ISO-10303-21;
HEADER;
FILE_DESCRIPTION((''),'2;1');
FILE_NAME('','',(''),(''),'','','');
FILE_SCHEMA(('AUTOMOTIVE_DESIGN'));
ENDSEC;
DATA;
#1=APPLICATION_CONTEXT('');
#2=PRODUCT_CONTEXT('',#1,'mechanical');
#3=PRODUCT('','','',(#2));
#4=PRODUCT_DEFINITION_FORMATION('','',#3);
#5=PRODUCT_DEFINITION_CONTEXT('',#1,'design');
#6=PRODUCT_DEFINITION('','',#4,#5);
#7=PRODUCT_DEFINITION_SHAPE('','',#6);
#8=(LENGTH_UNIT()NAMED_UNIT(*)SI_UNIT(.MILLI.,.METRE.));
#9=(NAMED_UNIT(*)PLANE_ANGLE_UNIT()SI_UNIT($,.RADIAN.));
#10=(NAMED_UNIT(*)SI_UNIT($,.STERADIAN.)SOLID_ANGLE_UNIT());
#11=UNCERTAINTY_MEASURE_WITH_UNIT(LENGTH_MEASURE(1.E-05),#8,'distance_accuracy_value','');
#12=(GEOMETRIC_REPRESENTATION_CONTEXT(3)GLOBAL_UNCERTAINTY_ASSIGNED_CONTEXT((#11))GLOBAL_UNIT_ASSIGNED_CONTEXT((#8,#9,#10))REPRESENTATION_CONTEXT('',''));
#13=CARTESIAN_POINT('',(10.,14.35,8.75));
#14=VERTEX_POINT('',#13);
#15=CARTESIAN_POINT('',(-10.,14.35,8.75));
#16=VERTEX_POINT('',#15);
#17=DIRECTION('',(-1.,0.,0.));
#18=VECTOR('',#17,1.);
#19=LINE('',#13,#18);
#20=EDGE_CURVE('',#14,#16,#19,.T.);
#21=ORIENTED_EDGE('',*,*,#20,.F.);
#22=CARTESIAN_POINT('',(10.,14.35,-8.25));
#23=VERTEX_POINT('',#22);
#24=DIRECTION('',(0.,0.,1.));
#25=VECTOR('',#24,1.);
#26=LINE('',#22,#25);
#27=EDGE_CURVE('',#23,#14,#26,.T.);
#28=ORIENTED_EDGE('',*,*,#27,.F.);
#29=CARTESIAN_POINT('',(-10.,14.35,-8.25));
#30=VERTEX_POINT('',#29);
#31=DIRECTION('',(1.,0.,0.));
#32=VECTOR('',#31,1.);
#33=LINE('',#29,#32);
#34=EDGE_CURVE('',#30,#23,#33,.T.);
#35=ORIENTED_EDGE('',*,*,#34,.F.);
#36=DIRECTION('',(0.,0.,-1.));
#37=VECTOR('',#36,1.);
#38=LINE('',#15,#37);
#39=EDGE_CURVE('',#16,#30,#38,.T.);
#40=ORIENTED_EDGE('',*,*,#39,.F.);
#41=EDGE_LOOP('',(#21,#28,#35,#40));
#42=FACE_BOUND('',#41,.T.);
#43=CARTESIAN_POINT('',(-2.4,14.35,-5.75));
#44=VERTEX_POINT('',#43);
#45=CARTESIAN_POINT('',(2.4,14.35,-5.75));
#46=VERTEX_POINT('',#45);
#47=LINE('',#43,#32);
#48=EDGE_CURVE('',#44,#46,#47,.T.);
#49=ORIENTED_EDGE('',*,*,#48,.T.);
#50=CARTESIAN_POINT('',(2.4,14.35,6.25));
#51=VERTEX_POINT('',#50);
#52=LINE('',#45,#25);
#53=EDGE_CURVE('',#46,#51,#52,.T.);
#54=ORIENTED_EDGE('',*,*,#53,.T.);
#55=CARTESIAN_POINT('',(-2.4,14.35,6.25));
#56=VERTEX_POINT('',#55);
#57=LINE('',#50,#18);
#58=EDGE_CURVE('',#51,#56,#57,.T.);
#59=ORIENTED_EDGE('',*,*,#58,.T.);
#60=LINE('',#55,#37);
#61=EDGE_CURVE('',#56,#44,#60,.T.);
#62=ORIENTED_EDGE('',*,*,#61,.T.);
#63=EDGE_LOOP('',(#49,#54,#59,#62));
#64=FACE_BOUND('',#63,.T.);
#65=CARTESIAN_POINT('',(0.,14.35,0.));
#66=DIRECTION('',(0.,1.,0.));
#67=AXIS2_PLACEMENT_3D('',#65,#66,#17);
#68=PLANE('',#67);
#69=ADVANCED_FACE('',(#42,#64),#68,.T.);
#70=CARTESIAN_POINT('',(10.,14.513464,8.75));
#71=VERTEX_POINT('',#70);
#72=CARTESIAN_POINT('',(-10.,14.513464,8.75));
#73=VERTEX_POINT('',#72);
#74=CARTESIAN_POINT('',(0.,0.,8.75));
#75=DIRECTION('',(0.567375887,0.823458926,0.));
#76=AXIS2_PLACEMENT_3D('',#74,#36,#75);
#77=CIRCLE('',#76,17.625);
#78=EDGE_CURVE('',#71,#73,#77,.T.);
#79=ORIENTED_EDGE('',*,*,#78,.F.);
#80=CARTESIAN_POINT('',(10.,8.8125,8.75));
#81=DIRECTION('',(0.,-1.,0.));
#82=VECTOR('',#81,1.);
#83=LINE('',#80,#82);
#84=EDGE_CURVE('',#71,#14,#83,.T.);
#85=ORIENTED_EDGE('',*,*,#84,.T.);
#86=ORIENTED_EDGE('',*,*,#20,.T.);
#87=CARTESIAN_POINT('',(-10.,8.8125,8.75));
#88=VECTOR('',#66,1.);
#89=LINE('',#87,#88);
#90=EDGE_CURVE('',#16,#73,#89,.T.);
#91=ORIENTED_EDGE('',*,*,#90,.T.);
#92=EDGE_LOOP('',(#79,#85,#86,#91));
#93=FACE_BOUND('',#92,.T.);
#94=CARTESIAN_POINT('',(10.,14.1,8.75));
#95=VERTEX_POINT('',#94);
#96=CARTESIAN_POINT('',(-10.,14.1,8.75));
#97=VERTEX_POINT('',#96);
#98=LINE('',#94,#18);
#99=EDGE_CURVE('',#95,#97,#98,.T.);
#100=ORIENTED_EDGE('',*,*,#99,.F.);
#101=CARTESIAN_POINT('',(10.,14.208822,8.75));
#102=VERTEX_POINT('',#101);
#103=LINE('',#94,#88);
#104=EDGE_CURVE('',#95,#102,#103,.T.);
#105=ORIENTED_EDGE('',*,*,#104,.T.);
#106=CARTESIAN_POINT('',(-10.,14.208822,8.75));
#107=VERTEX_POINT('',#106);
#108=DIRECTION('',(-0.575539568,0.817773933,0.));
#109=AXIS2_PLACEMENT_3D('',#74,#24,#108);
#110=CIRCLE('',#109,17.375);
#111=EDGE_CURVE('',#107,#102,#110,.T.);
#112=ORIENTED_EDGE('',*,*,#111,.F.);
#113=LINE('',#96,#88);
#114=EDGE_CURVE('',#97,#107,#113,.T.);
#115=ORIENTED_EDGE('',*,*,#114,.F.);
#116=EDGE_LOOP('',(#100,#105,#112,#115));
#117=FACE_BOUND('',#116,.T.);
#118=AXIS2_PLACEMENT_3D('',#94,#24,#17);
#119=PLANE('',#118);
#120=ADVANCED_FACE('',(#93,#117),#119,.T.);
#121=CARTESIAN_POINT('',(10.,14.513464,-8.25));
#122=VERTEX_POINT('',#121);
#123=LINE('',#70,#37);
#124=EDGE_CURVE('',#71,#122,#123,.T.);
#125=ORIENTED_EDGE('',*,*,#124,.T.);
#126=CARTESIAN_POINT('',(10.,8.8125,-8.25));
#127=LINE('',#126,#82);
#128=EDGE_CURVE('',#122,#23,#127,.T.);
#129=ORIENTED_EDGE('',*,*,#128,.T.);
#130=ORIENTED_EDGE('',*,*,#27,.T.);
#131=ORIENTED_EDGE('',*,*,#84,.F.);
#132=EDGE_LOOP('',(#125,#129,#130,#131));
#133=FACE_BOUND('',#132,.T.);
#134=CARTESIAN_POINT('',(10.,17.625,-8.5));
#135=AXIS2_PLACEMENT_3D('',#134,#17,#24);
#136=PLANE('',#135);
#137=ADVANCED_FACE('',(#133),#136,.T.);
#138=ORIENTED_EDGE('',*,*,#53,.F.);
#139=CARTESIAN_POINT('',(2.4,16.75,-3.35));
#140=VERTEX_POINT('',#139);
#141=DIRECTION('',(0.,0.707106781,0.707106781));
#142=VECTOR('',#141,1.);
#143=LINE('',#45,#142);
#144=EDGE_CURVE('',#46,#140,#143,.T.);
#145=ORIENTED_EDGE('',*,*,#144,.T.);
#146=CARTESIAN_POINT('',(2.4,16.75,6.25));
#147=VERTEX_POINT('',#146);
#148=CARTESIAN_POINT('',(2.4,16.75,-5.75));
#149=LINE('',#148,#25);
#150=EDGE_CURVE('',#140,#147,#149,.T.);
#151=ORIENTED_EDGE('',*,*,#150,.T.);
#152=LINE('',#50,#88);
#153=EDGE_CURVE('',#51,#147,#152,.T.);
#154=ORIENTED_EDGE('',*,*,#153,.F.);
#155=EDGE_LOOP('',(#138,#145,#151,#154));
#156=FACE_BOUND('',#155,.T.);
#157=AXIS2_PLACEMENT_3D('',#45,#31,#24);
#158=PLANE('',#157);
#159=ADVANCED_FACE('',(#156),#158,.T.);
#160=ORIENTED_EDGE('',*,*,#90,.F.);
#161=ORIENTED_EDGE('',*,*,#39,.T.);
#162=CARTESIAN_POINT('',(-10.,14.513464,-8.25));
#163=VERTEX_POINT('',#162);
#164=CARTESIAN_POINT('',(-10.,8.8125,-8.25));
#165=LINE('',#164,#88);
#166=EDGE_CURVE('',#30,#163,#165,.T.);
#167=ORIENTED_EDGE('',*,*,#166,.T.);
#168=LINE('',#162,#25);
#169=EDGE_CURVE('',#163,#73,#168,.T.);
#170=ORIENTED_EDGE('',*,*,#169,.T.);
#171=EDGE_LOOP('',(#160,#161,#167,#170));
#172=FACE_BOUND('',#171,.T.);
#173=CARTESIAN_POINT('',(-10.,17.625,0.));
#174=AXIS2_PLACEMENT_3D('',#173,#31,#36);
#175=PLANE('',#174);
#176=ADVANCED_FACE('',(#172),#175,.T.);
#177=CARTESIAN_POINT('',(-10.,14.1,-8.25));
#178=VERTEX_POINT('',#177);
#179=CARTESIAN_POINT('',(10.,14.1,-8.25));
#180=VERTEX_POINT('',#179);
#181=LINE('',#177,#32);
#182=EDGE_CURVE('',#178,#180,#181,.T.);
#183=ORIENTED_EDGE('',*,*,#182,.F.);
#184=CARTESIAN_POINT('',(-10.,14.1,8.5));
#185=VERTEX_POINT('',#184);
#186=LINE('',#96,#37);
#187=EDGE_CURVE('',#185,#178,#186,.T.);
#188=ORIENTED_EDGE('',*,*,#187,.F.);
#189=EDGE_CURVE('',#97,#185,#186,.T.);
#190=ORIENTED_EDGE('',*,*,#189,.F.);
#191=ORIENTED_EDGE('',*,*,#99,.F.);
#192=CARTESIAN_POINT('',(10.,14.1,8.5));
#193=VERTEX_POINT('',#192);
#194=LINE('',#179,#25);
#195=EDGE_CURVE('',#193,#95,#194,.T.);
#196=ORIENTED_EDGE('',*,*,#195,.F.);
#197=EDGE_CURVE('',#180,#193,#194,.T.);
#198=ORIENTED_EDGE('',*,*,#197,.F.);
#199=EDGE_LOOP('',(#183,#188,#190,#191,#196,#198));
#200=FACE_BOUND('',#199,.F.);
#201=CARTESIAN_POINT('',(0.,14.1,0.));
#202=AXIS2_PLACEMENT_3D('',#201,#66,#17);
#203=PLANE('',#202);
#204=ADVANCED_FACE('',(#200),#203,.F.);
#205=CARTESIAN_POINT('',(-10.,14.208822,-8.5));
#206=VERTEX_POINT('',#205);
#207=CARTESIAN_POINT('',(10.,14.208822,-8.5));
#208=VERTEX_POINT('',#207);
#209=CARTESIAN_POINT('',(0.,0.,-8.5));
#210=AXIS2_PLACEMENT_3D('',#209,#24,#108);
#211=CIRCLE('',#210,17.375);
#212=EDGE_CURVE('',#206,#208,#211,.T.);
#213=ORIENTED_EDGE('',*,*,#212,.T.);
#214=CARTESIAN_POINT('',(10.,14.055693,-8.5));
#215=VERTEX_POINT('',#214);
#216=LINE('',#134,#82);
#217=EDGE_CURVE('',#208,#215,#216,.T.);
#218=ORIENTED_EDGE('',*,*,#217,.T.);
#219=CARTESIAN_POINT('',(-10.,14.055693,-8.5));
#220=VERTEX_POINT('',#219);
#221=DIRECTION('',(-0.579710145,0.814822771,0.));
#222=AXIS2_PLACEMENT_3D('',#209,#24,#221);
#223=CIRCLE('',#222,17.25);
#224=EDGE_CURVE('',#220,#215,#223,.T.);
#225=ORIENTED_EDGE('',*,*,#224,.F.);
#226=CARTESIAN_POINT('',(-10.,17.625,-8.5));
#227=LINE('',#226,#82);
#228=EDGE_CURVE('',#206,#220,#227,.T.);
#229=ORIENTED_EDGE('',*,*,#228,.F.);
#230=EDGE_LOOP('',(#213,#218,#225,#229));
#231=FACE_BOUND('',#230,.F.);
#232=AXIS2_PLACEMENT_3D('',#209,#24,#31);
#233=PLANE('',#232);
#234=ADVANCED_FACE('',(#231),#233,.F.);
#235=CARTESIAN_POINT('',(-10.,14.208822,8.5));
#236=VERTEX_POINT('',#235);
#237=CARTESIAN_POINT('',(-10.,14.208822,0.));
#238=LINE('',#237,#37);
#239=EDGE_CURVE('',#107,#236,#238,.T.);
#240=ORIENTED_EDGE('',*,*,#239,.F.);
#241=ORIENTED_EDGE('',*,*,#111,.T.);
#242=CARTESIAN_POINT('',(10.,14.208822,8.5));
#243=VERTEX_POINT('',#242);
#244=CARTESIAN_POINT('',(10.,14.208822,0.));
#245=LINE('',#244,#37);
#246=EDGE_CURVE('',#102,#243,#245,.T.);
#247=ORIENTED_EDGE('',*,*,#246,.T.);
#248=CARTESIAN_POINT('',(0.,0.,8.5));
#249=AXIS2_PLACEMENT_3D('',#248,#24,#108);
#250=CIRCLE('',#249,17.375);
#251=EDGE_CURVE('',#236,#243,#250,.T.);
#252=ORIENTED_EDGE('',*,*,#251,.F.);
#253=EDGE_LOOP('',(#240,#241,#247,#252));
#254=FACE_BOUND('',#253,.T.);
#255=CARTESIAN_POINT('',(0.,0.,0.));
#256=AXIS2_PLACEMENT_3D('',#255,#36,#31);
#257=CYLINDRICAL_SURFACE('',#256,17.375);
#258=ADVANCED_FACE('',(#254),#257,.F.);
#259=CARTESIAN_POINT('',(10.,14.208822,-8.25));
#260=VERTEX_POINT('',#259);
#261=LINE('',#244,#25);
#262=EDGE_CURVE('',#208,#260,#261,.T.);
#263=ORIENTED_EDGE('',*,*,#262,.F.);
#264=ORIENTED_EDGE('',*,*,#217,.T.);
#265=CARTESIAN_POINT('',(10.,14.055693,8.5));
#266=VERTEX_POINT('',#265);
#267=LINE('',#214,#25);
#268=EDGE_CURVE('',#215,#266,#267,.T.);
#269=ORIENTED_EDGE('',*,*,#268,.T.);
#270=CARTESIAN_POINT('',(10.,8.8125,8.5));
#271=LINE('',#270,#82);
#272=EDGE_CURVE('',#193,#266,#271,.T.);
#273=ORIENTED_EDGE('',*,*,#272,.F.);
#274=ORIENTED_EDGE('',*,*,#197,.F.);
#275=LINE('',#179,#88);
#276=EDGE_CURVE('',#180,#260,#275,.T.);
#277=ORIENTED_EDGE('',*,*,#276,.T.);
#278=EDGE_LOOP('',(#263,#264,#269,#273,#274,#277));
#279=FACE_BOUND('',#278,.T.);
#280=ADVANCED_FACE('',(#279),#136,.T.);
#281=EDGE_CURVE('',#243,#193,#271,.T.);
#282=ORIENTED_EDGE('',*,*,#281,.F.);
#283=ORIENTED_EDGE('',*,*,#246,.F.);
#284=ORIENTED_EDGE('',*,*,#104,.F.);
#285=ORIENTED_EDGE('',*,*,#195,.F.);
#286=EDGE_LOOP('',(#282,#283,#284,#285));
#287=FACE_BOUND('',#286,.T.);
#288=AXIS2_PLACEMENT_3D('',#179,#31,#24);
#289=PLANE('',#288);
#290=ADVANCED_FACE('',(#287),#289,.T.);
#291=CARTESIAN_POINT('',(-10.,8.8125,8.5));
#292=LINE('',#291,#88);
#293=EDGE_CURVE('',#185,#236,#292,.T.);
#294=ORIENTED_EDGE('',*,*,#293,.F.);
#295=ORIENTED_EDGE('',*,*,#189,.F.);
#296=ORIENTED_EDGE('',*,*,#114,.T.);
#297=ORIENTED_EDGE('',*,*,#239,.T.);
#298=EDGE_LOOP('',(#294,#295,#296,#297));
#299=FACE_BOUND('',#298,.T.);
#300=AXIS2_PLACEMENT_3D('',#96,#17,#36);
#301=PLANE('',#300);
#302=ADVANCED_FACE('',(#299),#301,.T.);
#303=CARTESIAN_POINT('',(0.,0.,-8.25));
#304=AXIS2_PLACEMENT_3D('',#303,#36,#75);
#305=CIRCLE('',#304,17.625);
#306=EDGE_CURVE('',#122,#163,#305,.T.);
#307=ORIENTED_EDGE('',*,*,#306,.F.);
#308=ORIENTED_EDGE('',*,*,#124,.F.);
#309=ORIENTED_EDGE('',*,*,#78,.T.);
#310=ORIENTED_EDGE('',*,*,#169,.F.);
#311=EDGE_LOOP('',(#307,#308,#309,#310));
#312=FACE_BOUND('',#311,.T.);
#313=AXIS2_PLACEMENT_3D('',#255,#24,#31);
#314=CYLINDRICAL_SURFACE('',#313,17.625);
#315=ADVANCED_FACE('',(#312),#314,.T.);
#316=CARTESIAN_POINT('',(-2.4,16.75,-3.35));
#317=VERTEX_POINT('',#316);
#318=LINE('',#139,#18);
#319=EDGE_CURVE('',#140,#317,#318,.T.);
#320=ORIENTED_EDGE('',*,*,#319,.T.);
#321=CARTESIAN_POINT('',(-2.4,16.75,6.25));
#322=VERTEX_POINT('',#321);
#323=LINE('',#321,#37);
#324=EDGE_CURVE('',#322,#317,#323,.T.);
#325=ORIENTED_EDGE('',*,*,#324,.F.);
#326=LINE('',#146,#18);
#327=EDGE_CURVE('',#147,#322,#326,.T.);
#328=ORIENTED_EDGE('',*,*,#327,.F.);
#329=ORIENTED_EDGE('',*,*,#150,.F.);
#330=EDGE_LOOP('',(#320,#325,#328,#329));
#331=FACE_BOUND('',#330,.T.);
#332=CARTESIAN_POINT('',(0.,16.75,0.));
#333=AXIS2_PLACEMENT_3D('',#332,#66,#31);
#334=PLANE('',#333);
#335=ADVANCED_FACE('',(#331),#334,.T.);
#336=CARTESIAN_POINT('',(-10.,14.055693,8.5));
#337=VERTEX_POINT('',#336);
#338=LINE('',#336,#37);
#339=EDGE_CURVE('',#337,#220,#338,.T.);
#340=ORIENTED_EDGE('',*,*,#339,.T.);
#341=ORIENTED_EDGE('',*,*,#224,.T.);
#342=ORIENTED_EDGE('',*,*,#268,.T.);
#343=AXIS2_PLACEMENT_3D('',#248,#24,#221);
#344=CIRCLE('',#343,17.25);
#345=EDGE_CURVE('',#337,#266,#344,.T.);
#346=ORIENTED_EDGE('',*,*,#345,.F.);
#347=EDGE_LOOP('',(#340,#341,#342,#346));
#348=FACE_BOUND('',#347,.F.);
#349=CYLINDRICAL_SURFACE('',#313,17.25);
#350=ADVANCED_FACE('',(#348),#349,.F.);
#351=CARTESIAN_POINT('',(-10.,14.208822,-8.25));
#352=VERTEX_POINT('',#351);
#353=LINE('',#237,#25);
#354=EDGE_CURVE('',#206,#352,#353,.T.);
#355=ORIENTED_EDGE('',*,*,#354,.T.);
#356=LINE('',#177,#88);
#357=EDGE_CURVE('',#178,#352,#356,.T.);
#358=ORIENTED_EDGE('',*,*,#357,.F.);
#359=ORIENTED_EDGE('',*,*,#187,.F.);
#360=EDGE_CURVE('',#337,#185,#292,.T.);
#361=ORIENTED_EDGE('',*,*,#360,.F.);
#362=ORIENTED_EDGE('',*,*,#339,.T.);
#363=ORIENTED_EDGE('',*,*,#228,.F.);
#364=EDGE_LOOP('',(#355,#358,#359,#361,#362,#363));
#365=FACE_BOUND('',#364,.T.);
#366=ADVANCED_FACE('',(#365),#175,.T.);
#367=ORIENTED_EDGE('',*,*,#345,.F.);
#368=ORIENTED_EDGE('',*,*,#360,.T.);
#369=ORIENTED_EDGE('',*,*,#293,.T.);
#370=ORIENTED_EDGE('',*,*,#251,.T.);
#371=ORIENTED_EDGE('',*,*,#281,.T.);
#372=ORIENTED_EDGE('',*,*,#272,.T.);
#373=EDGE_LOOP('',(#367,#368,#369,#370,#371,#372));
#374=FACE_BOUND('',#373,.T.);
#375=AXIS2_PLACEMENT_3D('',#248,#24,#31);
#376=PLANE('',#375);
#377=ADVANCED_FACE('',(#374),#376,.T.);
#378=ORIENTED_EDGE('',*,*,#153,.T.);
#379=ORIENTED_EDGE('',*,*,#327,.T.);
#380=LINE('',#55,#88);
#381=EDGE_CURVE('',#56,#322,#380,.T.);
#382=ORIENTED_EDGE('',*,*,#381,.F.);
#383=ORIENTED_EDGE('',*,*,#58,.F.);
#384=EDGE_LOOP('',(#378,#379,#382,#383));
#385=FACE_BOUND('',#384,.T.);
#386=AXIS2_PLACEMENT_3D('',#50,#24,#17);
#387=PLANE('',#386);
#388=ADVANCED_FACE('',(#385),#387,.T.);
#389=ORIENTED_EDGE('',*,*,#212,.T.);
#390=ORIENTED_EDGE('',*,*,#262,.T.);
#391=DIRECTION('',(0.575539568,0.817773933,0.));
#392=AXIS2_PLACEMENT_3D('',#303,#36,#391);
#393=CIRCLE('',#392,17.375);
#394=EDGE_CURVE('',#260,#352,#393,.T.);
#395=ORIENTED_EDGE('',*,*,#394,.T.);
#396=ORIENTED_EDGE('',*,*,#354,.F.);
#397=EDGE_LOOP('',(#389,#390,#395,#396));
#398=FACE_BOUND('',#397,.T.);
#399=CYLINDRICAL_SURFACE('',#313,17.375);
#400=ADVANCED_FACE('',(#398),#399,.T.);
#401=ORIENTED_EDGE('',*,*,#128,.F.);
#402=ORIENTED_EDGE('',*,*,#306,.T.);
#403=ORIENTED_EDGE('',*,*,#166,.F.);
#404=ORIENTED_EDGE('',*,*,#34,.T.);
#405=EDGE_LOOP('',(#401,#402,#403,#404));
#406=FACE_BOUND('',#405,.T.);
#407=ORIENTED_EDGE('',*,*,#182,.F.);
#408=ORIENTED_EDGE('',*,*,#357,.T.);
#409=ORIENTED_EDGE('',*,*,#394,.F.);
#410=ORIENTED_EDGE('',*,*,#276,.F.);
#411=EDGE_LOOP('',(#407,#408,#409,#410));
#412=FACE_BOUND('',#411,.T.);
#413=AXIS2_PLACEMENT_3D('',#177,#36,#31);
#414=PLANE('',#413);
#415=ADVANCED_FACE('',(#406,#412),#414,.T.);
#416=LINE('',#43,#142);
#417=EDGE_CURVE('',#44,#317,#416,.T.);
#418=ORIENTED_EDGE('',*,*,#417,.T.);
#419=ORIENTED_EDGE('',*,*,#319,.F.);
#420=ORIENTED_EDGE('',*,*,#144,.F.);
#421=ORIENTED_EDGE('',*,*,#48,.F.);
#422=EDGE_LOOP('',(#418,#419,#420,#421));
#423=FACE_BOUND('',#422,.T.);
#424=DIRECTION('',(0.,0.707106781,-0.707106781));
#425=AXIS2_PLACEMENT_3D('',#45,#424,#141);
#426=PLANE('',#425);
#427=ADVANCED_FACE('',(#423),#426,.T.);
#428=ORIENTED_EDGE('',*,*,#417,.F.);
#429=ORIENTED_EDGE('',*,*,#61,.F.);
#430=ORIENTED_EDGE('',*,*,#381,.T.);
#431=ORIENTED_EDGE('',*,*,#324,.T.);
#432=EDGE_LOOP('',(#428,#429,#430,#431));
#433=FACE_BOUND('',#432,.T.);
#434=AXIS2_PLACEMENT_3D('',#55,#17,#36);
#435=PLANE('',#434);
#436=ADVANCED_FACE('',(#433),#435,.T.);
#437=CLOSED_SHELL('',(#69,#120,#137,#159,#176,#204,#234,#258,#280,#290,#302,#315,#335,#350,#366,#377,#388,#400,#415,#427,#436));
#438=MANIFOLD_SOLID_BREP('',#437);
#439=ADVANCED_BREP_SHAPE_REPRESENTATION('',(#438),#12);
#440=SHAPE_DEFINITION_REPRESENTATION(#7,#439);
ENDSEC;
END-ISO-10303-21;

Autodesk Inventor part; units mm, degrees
ref_plane "YZ Plane" through (0, 0, 0) normal (1, 0, 0) x (0, 1, 0)
sketch "Sketch1" plane through (0, 0, 0) normal (0, 0, 1) x (1, 0, 0)
  circle A0 centre (0, 0) radius 17.25
  circle A1 centre (0, 0) radius 17.375
  dimension "d0" = 34.5
  dimension "d1" = 34.75
extrude "Extrusion1" add sketch "Sketch1" along normal mid plane 17
sketch "Sketch2" plane through (0, 0, 0) normal (0, 0, 1) x (1, 0, 0)
  circle A0 centre (0, 0) radius 17.375
  circle A1 centre (0, 0) radius 17.625
  dimension "d4" = 34.75
  dimension "d5" = 0.25
extrude "Extrusion2" add sketch "Sketch2" along normal blind 8.75 and the other way blind 8.25
ref_plane "Work Plane1" through (0, 17.625, 0) normal (0, 1, 0) x (-1, 0, 0)
sketch "Sketch3" plane through (0, 17.625, 0) normal (0, 1, 0) x (-1, 0, 0)
  line L0 (10, 0) -> (10, -8.5)
  line L1 (10, -8.5) -> (0, -8.5)
  line L2 (-10, 0) -> (-10, 9.4902)
  line L3 (-10, 9.4902) -> (-0.099, 9.4902)
  line L4 (10, -8.5) -> (-10, -8.5)
  line L5 (-10, -8.5) -> (-10, 9.4902)
  line L6 (-10, 9.4902) -> (10, 9.4902)
  line L7 (10, 9.4902) -> (10, -8.5)
  point P0 (0, 0)
  point P1 (-0.099, 9.4902)
  dimension "d10" = 10
  dimension "d11" = 10
extrude "Extrusion3" cut sketch "Sketch3" against normal blind 8.75
ref_plane "Work Plane2" through (0, 14.1, 0) normal (0, 1, 0) x (-1, 0, 0)
sketch "Sketch4" plane through (0, 14.1, 0) normal (0, 1, 0) x (-1, 0, 0)
  line L0 (-10, -8.25) -> (-10, 8.75) projected
  line L1 (10, -8.25) -> (-10, -8.25)
  line L2 (-10, -8.25) -> (-10, 8.75)
  line L3 (-10, 8.75) -> (10, 8.75)
  line L4 (10, 8.75) -> (10, -8.25)
  point P0 (0, 0)
extrude "Extrusion4" add sketch "Sketch4" along normal blind 0.25
sketch "Sketch5" plane through (0, 14.35, 0) normal (0, 1, 0) x (1, 0, 0)
  line L0 (-2.4, 5.75) -> (2.4, 5.75)
  line L1 (2.4, 5.75) -> (2.4, -6.25)
  line L2 (2.4, -6.25) -> (-2.4, -6.25)
  line L3 (-2.4, -6.25) -> (-2.4, 5.75)
  line L4 (10, 8.25) -> (-10, 8.25) projected
  line L5 (10, 8.25) -> (10, -8.75) projected
  point P0 (0, 0)
  dimension "d17" = 4.8
  dimension "d18" = 12
  dimension "d19" = 2.5
  dimension "d20" = 7.6
extrude "Extrusion5" add sketch "Sketch5" along normal blind 2.4
sketch "Sketch6" plane through (2.4, 14.35, 6.25) normal (1, 0, 0) x (0, 0, -1)
  line L0 (12, 0) -> (12, 2.4) projected
  line L1 (12, 0) -> (9.6, 2.4)
  line L2 (12, 2.4) -> (0, 2.4) projected
  line L3 (12, 0) -> (15.3941, 0) construction
  line L4 (9.6, 2.4) -> (12, 2.4)
  line L5 (12, 2.4) -> (12, 0)
  point P0 (6.25, -14.35)
  dimension "d23" = 135
extrude "Extrusion6" cut sketch "Sketch6" against normal blind 4.8
properties part number "Large_Ring"
